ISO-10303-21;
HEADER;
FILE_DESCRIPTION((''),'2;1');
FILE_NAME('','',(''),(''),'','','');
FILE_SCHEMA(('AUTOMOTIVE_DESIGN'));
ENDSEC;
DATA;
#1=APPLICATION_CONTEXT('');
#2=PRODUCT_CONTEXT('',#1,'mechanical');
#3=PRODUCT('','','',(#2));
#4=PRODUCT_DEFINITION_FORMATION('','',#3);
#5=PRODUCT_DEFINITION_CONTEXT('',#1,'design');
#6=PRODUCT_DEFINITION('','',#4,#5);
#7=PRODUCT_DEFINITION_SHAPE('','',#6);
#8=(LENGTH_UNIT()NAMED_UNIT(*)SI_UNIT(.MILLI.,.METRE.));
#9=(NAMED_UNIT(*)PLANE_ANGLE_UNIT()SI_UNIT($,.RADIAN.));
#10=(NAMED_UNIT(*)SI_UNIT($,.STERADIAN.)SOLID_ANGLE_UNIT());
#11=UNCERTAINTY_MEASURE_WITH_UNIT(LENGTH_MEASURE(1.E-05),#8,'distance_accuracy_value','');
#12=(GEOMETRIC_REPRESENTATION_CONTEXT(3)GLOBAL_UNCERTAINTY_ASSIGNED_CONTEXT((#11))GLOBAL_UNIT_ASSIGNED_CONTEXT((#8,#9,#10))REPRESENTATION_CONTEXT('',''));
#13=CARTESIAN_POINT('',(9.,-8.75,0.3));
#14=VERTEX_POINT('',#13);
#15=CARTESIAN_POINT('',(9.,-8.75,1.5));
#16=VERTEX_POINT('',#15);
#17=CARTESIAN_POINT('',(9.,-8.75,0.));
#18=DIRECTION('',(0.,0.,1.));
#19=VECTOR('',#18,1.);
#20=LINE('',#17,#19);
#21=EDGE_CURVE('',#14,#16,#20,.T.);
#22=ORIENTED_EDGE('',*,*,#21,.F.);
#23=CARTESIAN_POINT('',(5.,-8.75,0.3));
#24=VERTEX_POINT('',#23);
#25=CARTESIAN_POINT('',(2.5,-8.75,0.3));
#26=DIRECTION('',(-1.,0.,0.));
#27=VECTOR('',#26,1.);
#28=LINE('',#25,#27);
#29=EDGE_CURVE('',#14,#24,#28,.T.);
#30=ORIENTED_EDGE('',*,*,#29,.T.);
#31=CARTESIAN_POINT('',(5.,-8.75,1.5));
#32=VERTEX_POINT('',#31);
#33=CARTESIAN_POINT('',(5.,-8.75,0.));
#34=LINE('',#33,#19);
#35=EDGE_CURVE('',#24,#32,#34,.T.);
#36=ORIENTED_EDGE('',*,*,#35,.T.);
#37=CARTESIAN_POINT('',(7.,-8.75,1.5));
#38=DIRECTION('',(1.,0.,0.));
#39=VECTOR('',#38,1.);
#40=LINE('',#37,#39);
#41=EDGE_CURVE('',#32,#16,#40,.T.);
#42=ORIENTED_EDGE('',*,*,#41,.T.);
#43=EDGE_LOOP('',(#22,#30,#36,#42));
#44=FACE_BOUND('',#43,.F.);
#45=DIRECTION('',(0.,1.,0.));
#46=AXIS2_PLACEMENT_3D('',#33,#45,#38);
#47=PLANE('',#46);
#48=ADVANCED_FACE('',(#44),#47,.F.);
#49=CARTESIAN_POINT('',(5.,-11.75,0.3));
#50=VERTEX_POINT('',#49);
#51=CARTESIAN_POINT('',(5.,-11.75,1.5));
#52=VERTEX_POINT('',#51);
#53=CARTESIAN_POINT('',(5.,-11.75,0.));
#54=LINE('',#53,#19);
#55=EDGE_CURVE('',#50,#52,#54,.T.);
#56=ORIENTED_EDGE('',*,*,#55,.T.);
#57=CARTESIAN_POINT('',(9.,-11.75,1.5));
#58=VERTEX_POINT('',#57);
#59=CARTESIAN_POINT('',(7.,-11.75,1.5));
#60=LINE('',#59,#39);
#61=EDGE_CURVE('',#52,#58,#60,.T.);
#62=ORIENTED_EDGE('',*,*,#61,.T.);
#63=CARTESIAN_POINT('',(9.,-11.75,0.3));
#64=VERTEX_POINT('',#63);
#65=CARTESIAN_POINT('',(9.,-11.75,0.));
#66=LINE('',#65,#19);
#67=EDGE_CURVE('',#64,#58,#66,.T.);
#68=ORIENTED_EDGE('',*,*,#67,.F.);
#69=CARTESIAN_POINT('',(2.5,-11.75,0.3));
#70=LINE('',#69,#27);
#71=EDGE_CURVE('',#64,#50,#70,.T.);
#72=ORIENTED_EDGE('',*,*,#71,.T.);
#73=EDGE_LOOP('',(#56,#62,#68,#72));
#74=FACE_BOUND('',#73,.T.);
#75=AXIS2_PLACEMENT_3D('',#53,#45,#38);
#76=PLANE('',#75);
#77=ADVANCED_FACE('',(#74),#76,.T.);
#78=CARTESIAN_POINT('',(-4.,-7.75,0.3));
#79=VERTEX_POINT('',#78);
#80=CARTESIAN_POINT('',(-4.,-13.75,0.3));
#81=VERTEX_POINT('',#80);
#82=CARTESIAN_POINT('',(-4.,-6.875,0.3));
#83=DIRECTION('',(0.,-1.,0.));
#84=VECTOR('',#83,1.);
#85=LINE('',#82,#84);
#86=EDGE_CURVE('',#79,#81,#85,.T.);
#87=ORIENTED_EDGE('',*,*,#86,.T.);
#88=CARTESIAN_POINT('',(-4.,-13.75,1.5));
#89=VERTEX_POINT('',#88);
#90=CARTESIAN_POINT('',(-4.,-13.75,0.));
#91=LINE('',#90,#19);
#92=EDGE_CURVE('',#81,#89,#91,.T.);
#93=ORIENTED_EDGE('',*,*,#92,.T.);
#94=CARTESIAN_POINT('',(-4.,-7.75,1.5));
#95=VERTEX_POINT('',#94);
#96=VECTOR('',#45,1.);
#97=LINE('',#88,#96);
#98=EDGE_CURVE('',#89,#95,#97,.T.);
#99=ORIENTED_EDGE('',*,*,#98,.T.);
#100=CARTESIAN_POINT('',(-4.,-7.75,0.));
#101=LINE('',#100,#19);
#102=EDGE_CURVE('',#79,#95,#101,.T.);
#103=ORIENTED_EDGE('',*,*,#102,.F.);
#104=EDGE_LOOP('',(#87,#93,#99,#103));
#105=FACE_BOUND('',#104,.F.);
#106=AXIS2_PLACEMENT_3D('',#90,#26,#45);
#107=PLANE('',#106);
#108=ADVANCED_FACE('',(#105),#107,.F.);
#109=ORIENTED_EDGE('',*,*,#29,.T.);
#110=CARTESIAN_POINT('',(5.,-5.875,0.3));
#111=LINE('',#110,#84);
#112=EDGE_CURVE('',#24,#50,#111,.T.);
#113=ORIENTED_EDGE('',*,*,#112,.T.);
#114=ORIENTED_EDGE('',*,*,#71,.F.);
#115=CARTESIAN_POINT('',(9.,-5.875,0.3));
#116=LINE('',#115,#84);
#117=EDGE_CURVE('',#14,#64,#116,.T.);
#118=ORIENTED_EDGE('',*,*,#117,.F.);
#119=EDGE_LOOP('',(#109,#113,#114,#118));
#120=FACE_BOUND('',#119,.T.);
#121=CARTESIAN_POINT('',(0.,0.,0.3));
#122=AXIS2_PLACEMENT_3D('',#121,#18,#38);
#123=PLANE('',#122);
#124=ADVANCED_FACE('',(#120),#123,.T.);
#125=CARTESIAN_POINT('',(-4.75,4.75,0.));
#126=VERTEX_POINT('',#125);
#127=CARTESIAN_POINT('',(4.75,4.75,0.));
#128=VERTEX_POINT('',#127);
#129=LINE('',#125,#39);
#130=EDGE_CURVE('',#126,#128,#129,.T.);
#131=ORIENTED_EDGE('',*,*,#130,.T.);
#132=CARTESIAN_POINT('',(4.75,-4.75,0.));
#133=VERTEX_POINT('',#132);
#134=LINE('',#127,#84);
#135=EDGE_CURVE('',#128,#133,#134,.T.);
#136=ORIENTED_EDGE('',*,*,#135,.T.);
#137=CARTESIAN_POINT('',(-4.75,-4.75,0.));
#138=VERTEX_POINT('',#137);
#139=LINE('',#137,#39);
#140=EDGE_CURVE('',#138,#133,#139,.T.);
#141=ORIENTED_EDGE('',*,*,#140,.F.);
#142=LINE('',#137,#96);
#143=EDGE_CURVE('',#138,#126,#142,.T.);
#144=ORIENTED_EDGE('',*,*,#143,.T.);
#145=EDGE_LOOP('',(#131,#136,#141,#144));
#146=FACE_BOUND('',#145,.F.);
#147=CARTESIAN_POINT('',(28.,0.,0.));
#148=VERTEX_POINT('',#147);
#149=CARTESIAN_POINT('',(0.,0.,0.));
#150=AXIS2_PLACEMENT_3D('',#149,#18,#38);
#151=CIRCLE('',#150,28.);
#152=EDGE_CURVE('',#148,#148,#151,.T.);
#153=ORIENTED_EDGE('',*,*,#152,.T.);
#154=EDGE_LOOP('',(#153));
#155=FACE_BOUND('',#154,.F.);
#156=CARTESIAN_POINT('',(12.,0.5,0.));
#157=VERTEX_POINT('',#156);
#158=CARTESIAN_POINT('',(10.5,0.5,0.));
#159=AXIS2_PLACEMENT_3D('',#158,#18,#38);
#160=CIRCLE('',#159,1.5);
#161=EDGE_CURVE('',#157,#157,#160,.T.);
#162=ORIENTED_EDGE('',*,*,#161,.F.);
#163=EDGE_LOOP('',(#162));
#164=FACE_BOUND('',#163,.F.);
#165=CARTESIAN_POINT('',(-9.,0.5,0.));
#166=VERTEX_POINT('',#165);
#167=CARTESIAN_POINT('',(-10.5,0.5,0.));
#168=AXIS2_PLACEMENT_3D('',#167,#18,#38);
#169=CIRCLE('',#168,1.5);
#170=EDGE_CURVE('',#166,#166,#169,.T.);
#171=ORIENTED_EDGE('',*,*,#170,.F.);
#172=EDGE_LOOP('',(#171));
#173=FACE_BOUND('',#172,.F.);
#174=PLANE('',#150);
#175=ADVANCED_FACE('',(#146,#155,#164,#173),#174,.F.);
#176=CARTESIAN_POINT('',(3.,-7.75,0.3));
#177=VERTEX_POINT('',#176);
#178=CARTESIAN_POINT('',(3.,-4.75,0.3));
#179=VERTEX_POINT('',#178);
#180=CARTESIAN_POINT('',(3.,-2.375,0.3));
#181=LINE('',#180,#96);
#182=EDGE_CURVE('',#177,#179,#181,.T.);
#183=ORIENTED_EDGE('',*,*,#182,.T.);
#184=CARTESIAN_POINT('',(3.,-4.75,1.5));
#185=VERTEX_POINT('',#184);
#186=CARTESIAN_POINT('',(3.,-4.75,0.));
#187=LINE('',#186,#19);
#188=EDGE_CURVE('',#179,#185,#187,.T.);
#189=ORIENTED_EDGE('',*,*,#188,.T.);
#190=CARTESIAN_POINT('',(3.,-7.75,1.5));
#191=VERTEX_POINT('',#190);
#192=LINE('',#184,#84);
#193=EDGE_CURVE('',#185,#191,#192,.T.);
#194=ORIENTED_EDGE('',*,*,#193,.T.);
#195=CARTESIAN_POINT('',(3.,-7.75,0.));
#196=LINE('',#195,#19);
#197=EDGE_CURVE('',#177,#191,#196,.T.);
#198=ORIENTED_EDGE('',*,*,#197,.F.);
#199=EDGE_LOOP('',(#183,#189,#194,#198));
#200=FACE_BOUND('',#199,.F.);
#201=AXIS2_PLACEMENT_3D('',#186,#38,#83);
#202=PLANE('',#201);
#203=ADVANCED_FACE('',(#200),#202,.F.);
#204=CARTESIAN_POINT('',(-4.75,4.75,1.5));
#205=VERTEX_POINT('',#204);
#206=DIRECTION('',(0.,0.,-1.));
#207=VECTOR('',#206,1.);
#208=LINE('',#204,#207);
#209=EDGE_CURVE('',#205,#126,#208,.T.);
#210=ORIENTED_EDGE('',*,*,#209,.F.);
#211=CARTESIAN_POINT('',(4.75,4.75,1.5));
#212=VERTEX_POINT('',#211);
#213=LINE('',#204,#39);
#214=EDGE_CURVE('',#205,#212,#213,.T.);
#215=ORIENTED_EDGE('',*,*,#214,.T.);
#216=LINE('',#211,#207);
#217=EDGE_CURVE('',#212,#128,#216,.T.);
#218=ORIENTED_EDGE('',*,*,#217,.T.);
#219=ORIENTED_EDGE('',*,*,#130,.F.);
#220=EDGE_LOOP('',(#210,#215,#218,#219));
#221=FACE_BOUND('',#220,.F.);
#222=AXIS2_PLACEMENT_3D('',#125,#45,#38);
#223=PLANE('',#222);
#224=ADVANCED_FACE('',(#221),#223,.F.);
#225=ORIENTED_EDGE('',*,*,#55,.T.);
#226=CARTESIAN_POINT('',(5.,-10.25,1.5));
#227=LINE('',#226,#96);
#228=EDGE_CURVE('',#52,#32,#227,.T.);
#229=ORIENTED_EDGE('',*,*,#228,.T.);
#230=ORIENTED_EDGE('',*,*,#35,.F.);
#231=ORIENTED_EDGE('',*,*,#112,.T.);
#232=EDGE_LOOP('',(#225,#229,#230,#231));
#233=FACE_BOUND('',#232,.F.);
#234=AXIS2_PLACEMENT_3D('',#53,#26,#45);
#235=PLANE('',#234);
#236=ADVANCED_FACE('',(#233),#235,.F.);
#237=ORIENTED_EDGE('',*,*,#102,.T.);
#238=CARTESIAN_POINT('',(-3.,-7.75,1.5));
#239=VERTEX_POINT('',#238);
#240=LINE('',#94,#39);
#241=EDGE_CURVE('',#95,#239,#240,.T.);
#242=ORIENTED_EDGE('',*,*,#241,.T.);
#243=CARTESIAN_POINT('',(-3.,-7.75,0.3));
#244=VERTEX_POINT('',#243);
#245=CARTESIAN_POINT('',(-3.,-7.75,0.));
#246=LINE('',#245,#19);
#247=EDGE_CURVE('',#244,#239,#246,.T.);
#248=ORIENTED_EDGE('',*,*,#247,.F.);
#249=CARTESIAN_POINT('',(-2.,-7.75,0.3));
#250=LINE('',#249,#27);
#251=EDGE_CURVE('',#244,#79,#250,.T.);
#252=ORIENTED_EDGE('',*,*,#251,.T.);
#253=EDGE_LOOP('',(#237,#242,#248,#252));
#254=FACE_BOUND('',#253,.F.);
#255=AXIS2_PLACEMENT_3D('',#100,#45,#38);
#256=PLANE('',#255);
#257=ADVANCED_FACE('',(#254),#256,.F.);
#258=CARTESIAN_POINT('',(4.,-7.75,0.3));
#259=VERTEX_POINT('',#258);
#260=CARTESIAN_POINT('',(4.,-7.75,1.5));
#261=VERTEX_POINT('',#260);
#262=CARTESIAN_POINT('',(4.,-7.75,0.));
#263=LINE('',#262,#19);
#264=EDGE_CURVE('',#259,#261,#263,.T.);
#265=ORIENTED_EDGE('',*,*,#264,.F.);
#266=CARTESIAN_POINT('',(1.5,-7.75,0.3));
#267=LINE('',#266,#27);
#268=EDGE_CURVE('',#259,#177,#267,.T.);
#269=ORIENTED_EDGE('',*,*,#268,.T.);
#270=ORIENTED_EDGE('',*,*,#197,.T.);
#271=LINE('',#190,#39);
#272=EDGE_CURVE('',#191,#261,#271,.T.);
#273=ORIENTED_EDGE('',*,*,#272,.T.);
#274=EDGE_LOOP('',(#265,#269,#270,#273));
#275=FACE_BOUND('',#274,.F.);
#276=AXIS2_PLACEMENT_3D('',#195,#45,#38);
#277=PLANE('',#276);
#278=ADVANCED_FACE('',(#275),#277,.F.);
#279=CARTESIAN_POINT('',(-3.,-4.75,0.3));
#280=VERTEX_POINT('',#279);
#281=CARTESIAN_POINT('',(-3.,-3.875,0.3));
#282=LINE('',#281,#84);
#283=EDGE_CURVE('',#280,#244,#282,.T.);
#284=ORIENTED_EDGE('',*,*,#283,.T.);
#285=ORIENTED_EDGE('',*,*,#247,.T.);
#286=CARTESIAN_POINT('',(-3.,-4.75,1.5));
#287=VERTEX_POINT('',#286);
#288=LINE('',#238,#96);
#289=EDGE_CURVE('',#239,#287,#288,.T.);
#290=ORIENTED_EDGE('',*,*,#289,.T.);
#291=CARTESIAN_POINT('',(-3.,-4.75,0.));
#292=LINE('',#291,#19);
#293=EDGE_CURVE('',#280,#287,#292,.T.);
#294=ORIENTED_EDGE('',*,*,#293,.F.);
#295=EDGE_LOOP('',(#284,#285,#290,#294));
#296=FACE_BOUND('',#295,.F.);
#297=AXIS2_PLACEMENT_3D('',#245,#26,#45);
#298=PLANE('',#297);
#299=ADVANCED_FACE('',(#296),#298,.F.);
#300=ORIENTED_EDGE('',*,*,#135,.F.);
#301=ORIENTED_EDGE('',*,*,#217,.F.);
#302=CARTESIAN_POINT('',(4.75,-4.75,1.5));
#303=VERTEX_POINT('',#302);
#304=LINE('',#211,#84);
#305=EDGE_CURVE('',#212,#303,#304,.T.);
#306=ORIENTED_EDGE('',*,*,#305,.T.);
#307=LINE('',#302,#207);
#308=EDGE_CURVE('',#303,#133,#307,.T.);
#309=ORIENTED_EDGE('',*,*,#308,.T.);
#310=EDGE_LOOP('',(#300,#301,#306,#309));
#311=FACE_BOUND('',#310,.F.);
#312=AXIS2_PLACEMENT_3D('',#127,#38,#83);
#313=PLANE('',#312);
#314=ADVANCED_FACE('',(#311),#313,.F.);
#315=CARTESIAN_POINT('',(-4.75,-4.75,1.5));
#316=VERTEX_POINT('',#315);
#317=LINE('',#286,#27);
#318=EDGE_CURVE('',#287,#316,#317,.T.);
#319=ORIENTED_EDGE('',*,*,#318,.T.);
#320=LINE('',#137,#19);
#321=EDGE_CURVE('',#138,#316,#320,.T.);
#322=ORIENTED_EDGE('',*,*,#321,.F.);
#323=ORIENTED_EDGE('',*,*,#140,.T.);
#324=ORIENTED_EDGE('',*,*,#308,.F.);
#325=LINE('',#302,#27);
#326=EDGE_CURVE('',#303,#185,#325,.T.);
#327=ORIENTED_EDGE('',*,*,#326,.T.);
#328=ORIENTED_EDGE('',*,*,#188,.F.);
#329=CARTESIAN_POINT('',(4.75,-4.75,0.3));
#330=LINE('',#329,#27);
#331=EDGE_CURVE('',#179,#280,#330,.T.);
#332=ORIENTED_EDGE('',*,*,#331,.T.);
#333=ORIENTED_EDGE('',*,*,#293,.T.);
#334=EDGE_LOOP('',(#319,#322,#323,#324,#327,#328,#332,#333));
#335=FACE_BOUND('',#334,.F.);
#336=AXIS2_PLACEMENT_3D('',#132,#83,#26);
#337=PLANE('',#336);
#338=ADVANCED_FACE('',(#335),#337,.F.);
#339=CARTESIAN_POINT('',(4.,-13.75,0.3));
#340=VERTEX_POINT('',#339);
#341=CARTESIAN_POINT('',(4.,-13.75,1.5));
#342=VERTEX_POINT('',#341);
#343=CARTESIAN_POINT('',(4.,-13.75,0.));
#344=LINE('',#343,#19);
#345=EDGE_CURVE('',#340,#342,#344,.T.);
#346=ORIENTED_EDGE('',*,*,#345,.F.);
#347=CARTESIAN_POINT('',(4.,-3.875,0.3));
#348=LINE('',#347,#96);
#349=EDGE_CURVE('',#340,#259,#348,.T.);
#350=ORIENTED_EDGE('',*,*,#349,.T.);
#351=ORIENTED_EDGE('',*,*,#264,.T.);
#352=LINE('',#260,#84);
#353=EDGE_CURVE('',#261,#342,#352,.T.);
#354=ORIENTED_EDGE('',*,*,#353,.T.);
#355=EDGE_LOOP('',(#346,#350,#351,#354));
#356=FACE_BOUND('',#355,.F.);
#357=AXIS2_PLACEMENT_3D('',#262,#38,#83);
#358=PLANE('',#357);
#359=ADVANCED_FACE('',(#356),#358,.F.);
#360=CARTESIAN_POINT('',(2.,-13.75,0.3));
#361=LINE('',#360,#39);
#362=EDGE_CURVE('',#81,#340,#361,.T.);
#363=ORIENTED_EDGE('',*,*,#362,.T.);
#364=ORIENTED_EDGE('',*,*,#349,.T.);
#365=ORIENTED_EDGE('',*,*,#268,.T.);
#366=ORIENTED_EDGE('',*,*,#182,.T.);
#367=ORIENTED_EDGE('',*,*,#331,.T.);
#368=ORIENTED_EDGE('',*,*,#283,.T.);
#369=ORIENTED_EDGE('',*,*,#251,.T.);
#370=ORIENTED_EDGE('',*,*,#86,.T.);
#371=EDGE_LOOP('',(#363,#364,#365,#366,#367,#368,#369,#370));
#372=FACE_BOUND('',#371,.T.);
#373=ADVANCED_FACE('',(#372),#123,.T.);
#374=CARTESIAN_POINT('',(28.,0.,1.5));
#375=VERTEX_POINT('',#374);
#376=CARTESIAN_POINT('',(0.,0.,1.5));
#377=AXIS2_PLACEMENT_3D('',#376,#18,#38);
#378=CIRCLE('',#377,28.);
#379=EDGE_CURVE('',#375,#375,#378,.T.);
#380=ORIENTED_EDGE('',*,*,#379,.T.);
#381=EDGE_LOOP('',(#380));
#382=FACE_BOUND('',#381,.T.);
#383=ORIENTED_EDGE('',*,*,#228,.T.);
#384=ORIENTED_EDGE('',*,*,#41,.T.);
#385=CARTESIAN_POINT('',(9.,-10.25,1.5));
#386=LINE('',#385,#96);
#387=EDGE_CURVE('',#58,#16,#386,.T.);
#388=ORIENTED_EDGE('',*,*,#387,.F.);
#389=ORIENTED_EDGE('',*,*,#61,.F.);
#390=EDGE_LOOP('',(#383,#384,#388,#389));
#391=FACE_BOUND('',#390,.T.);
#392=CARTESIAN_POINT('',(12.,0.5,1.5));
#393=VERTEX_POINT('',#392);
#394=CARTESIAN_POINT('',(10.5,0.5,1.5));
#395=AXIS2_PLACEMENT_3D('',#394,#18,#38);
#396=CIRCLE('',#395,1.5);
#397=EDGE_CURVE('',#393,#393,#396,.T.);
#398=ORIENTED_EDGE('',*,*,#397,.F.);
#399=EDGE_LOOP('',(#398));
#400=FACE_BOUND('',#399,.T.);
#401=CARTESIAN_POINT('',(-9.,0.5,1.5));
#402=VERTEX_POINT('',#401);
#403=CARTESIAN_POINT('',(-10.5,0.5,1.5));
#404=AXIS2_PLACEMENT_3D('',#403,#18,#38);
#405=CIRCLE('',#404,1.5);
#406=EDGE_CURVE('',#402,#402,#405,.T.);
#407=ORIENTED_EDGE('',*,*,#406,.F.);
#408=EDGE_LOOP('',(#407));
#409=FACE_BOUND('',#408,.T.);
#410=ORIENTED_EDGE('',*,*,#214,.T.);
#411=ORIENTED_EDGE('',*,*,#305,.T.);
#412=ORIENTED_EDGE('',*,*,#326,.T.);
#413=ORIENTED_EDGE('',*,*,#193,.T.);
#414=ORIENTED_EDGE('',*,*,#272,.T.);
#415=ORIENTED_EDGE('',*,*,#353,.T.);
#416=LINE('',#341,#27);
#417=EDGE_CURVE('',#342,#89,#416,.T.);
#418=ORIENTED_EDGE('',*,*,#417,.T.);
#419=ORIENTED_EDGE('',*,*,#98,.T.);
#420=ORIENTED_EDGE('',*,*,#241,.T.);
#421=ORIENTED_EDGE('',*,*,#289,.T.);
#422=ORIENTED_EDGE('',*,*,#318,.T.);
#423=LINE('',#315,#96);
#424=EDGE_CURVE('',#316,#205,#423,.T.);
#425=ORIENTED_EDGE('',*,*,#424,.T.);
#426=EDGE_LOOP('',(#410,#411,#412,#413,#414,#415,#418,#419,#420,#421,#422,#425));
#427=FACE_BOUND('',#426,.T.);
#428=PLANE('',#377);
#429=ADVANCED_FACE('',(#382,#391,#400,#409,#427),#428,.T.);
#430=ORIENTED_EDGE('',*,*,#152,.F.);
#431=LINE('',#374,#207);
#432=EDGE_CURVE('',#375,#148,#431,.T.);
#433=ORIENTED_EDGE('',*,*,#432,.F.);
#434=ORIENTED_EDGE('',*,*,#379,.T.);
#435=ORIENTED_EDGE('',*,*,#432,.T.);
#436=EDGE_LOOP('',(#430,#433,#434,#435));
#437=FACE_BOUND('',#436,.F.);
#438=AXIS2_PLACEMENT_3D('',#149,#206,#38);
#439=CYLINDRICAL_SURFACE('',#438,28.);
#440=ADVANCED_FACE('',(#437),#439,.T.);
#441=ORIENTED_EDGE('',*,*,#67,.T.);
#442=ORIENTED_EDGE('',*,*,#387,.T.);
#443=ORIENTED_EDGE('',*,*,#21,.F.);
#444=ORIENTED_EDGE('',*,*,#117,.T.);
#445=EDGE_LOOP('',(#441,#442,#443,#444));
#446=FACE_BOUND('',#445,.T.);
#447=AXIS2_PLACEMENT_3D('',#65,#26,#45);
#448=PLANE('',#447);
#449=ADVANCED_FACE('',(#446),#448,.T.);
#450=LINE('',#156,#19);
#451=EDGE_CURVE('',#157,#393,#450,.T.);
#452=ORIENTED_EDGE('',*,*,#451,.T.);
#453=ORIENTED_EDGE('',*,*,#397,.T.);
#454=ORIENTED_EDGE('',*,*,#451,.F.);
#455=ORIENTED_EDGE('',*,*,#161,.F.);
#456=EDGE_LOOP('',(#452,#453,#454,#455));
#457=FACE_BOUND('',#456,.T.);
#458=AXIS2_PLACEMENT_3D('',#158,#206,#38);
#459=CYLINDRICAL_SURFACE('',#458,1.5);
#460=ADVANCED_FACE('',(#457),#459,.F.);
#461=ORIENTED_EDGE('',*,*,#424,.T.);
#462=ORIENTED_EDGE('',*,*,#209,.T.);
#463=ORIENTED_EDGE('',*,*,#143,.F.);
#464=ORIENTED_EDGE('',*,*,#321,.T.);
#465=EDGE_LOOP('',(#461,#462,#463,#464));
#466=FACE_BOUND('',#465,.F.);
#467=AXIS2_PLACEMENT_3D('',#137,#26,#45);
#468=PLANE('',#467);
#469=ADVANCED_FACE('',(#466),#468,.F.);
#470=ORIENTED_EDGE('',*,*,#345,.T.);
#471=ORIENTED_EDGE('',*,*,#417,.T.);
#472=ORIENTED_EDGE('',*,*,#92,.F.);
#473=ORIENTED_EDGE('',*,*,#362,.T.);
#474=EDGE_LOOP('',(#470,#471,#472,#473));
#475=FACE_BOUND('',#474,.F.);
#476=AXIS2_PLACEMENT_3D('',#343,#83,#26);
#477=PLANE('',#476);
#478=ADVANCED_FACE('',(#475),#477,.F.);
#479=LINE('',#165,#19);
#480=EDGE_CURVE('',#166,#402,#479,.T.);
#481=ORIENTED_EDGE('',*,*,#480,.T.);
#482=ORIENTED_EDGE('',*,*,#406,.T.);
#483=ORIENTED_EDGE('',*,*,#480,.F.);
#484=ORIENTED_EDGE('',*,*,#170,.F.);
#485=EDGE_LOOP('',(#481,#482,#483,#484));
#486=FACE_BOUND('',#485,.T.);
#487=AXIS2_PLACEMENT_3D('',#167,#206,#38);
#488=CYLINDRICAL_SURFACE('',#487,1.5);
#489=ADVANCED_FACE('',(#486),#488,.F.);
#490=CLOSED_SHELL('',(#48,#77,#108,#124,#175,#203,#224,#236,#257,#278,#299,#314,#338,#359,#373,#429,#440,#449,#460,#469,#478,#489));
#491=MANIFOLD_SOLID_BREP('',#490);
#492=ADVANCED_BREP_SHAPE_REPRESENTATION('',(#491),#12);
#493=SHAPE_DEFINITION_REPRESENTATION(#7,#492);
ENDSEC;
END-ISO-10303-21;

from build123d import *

# Parameters (mm, degrees)
F0_R     = 28
F0_W     = 4
F0_H     = 3
F0_R_2   = 1.5
F0_W_2   = 6
F1_DEPTH = 0.3
F2_DEPTH = 1.5


with BuildPart() as f1:
    # F0 (on Top) → F1 (new body)
    with BuildSketch(Plane.XY):
        Circle(F0_R)
        with Locations((7, -10.25)):
            Rectangle(F0_W, F0_H, mode=Mode.SUBTRACT)
        Polygon((-4.75, -4.75), (-4.75, 4.75), (4.75, 4.75), (4.75, -4.75), (3, -4.75), (3, -7.75), (4, -7.75), (4, -13.75), (-4, -13.75), (-4, -7.75), (-3, -7.75), (-3, -4.75), align=None, mode=Mode.SUBTRACT)
        with Locations((-10.5, 0.5)):
            Circle(F0_R_2, mode=Mode.SUBTRACT)
        with Locations((10.5, 0.5)):
            Circle(F0_R_2, mode=Mode.SUBTRACT)
        with Locations((7, -10.25)):
            Rectangle(F0_W, F0_H)
        Polygon((3, -7.75), (-3, -7.75), (-4, -7.75), (-4, -13.75), (4, -13.75), (4, -7.75), align=None)
        with Locations((0, -6.25)):
            Rectangle(F0_W_2, F0_H)
    extrude(amount=F1_DEPTH)

    # F0 (on Top) → F2 (join)
    with BuildSketch(Plane.XY):
        Circle(F0_R)
        with Locations((7, -10.25)):
            Rectangle(F0_W, F0_H, mode=Mode.SUBTRACT)
        Polygon((-4.75, -4.75), (-4.75, 4.75), (4.75, 4.75), (4.75, -4.75), (3, -4.75), (3, -7.75), (4, -7.75), (4, -13.75), (-4, -13.75), (-4, -7.75), (-3, -7.75), (-3, -4.75), align=None, mode=Mode.SUBTRACT)
        with Locations((-10.5, 0.5)):
            Circle(F0_R_2, mode=Mode.SUBTRACT)
        with Locations((10.5, 0.5)):
            Circle(F0_R_2, mode=Mode.SUBTRACT)
    extrude(amount=F2_DEPTH)


solid = f1.part
